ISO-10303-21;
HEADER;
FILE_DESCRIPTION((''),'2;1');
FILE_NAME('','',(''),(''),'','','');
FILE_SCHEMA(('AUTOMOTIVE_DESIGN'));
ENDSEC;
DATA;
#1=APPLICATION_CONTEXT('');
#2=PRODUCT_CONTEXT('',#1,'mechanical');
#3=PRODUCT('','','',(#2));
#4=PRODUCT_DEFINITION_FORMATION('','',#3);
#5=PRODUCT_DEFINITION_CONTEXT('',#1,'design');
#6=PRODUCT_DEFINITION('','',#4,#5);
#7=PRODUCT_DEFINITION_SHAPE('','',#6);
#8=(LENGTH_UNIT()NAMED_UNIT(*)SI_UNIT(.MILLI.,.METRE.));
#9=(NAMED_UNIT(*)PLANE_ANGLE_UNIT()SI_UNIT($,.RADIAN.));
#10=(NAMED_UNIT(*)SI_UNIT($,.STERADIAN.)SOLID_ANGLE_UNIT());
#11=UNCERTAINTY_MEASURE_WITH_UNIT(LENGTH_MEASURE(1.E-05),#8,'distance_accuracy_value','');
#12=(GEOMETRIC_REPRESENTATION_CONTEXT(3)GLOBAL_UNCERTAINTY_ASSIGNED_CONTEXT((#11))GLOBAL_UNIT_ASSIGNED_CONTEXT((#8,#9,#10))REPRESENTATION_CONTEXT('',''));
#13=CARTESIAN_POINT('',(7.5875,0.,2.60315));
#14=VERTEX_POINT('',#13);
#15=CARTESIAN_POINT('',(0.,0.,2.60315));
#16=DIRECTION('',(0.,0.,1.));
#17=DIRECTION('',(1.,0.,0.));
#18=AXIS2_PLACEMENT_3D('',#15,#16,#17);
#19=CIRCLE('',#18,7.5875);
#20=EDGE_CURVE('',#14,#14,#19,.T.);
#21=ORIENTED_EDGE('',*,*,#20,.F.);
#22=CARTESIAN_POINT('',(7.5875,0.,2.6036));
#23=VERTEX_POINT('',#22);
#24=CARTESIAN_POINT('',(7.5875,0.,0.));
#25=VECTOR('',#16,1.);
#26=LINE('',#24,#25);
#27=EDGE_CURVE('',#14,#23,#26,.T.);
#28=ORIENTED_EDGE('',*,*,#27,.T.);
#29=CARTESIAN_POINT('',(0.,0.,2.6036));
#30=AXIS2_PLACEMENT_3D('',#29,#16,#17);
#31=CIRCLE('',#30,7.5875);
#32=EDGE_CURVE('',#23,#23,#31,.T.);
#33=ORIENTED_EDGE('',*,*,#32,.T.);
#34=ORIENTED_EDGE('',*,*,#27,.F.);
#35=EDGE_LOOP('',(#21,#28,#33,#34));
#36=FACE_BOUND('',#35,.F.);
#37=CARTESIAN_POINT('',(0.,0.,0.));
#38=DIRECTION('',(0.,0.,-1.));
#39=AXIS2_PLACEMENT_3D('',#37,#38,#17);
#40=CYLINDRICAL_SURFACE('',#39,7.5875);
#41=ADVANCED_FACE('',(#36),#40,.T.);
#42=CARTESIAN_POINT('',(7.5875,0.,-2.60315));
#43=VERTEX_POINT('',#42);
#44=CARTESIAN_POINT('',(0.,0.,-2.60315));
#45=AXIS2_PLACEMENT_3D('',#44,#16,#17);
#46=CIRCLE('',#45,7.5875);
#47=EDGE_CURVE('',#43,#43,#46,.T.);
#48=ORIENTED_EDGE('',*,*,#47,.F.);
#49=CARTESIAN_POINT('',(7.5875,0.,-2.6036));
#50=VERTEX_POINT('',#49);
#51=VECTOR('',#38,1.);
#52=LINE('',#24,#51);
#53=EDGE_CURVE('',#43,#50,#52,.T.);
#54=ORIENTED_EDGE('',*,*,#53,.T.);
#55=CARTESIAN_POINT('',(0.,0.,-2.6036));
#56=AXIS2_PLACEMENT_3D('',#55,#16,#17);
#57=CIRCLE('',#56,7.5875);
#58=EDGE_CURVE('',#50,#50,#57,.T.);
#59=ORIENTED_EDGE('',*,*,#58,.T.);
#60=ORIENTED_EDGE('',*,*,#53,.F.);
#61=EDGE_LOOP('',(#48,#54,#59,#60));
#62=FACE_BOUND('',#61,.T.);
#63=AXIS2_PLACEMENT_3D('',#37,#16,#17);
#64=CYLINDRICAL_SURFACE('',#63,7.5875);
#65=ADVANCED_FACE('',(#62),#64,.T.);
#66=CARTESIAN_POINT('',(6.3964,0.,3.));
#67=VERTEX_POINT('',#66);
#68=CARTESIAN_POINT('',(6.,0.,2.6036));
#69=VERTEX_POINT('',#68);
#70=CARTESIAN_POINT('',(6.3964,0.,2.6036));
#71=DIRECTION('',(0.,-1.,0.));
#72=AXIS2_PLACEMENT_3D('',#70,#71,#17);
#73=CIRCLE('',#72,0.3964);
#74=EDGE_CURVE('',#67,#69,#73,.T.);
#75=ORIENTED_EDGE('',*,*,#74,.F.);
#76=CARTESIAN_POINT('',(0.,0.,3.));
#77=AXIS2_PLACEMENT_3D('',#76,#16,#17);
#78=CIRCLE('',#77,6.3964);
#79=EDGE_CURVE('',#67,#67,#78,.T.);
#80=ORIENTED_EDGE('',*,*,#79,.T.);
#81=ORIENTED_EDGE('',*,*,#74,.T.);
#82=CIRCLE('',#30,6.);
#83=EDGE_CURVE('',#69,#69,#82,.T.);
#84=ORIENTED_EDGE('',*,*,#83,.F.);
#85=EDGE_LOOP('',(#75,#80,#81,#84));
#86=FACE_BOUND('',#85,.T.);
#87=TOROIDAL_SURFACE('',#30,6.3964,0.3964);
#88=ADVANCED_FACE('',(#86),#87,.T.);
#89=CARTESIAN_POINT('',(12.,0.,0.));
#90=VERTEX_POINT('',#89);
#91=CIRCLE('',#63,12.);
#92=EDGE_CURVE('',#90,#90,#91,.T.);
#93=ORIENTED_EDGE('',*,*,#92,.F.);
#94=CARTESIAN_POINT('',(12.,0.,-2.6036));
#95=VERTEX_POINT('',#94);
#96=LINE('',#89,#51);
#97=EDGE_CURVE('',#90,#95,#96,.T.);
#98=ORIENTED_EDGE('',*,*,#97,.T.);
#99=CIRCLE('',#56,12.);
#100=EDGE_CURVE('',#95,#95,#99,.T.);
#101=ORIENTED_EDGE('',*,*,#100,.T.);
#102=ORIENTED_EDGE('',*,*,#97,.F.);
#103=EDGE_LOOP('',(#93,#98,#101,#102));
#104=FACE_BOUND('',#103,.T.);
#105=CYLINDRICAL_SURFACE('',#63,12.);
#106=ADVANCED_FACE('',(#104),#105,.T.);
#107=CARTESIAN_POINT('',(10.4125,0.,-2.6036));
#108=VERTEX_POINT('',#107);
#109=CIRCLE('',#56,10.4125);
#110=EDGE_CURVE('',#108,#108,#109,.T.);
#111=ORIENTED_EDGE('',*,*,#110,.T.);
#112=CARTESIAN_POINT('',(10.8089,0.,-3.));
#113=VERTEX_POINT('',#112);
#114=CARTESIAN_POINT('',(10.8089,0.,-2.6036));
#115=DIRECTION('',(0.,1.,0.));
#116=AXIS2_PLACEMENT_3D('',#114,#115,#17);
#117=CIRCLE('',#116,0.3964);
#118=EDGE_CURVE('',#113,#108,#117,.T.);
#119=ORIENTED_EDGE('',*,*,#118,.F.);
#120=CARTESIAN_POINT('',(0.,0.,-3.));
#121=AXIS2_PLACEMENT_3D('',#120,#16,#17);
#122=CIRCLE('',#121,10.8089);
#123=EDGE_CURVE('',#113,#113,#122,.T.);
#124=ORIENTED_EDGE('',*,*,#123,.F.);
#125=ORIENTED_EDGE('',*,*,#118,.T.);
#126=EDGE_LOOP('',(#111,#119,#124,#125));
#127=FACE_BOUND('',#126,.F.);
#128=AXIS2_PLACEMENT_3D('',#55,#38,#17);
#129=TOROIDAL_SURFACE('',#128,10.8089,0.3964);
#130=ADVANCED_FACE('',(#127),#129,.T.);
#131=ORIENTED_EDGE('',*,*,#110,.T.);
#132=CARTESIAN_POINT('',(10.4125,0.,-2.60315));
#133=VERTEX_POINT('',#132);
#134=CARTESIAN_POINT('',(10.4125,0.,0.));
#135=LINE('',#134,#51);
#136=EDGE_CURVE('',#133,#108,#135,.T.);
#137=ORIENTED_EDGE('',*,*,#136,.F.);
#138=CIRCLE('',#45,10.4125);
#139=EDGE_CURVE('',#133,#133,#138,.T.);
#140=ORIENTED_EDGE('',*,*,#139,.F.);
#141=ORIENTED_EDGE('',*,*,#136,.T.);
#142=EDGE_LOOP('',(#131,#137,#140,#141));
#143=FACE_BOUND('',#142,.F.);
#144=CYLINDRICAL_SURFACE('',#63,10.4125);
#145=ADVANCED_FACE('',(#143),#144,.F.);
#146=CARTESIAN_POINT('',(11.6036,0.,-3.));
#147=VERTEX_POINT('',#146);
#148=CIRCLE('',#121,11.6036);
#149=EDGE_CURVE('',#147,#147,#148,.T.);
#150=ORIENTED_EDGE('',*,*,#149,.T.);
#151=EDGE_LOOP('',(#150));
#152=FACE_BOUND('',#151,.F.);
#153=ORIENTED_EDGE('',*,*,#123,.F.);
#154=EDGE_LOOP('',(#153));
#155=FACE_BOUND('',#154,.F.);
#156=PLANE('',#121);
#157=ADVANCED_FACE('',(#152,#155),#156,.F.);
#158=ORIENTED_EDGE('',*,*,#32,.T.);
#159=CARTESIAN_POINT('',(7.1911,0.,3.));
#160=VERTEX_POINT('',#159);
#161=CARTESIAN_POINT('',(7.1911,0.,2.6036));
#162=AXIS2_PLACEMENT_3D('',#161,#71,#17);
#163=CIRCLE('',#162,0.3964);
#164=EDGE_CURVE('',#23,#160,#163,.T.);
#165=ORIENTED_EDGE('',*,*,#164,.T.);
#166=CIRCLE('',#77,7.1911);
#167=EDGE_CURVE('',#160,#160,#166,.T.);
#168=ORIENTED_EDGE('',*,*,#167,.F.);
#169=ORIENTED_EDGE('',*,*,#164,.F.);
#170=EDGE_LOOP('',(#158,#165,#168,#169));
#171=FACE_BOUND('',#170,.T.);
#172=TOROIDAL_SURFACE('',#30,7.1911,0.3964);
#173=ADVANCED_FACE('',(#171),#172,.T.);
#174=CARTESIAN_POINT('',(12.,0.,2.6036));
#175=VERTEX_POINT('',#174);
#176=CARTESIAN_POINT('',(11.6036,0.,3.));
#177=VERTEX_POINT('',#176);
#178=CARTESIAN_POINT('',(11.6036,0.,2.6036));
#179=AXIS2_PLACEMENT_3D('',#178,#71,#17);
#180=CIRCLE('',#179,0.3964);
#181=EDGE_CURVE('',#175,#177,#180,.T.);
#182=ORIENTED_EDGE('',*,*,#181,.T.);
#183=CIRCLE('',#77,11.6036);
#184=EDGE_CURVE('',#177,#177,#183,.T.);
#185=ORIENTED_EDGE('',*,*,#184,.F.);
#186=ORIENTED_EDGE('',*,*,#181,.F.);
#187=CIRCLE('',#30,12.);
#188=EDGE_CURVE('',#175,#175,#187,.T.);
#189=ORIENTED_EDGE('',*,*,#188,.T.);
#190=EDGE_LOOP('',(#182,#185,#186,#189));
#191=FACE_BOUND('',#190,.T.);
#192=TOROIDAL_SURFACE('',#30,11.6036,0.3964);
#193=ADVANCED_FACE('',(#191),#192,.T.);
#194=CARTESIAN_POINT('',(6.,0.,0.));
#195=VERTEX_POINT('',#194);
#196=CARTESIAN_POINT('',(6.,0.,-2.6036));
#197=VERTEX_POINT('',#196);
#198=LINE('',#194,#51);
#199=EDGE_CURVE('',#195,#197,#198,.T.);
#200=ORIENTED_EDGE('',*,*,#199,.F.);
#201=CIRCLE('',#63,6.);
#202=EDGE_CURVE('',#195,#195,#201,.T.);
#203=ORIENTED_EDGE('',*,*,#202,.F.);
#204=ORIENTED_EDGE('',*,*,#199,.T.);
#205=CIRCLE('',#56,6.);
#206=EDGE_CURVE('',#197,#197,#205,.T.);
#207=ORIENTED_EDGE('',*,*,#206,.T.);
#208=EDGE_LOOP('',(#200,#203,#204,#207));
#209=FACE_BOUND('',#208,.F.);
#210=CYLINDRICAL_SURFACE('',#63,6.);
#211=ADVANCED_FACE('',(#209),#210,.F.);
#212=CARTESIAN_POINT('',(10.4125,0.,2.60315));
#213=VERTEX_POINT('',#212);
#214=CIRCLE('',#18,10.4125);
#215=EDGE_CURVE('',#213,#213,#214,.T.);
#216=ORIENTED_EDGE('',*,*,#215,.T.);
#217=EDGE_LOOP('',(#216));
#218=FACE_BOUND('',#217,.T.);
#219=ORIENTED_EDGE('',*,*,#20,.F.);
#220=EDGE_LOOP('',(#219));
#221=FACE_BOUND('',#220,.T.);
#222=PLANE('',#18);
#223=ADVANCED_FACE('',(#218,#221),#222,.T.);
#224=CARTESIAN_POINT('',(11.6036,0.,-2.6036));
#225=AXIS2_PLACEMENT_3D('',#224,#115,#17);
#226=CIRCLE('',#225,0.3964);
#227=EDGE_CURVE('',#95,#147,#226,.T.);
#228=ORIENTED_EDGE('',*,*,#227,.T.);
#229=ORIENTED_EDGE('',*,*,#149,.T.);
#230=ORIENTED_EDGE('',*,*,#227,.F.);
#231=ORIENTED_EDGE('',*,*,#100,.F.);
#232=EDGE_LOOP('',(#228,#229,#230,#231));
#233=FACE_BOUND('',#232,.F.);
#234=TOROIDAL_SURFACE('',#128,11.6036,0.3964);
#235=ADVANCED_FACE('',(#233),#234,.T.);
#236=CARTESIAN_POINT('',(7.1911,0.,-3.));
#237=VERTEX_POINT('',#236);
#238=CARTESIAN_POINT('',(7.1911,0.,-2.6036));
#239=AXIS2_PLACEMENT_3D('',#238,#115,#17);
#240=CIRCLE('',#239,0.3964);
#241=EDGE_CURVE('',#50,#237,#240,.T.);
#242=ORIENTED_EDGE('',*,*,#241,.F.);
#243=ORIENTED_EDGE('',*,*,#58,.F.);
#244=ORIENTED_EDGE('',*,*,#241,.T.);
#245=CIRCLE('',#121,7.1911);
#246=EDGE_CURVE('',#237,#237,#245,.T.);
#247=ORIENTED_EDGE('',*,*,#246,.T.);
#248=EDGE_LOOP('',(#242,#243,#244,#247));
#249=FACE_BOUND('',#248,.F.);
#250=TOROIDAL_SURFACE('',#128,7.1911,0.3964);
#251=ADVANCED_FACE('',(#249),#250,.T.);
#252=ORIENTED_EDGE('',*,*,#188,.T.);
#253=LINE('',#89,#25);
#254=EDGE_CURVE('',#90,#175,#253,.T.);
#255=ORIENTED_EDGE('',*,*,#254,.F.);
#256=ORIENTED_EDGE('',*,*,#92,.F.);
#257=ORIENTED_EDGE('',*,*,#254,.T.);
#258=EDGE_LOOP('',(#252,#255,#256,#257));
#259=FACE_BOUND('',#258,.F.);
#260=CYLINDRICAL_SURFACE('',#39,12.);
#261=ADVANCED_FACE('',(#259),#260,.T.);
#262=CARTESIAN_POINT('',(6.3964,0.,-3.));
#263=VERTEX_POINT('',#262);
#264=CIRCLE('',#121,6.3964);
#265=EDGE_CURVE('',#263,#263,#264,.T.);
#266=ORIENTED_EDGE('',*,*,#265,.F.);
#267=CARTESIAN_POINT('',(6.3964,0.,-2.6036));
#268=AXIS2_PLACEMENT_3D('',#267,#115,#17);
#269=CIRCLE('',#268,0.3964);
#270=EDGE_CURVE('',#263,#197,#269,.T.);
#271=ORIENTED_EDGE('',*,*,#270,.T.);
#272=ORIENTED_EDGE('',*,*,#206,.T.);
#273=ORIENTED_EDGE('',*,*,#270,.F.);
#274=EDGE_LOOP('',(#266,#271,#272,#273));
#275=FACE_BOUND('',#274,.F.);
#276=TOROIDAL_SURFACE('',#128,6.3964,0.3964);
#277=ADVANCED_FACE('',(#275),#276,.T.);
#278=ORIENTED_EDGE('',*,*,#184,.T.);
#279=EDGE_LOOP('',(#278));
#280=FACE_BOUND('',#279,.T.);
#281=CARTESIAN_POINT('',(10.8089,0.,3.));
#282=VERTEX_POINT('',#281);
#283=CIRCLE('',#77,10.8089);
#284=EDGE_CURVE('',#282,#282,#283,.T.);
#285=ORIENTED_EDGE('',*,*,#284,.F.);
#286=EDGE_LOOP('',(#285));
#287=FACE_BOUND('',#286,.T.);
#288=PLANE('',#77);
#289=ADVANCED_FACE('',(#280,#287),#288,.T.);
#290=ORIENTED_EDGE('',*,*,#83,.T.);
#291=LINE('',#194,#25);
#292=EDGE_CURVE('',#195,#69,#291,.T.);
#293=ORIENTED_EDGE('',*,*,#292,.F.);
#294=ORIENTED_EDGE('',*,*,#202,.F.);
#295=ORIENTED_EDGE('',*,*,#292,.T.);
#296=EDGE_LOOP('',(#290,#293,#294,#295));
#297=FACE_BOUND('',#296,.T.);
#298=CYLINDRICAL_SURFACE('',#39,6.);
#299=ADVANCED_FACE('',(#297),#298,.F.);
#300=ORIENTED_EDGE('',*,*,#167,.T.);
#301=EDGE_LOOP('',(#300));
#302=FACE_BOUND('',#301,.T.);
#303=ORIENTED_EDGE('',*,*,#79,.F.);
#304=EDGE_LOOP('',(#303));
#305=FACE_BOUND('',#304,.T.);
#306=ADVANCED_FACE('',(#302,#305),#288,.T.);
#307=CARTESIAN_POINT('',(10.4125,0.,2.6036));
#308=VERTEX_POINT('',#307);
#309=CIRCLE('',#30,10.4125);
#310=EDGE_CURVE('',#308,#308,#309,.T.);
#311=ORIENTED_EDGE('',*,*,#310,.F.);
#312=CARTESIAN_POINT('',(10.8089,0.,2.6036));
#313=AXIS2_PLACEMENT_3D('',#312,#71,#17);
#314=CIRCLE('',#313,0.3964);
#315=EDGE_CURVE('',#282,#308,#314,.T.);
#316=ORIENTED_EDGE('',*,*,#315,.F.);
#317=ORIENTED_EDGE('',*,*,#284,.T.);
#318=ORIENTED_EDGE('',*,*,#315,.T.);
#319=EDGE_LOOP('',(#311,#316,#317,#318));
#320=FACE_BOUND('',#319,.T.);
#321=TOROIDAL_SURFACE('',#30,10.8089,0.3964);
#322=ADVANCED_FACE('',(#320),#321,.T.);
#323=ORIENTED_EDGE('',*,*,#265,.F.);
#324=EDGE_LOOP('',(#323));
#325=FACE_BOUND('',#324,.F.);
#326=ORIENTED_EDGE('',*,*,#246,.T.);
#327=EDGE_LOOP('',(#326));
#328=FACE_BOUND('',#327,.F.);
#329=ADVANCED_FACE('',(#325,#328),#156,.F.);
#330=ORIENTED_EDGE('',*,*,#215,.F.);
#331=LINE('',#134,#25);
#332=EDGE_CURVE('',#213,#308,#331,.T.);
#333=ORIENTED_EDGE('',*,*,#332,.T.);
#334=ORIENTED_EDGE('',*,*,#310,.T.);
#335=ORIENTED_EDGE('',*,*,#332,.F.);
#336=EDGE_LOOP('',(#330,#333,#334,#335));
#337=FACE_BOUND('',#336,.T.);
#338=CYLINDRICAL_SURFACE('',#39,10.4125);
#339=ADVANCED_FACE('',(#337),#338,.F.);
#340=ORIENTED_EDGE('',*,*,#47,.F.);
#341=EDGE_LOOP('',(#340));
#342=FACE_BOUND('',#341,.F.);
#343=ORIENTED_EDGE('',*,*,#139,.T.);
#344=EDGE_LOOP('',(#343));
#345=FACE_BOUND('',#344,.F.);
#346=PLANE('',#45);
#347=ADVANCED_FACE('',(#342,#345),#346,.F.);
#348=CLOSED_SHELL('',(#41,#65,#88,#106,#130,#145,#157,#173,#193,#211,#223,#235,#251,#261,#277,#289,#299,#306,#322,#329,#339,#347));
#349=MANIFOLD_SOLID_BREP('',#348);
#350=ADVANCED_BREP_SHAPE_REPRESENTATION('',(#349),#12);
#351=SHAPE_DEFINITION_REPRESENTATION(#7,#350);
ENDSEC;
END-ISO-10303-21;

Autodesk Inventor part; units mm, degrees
ref_plane "YZ Plane" through (0, 0, 0) normal (1, 0, 0) x (0, 1, 0)
ref_plane "XZ Plane" through (0, 0, 0) normal (0, 1, 0) x (-1, 0, 0)
ref_plane "XY Plane" through (0, 0, 0) normal (0, 0, 1) x (1, 0, 0)
sketch "Sketch1" plane through (0, 0, 0) normal (0, 0, 1) x (1, 0, 0)
  circle A0 centre (0, 0) radius 6
  circle A1 centre (0, 0) radius 12
  circle A2 centre (0, 0) radius 7.5875
  circle A3 centre (0, 0) radius 10.4125
  dimension "d0" = 12
  dimension "d1" = 24
  dimension "d2" = 15.175
  dimension "d3" = 1.5875
extrude "Extrusion1" add sketch "Sketch1" along normal mid plane 6
extrude "Extrusion2" add sketch "Sketch1" along normal mid plane 5.2063 contours A3
fillet "Fillet1" radius 0.3969 8 edges at (-6, 0, 3) (-7.5875, 0, 3) (-10.4125, 0, 3) (-12, 0, 3) (-12, 0, -3) (-10.4125, 0, -3) (-7.5875, 0, -3) (-6, 0, -3)
equation "\"d2\" = d0 + 2 * d3"
properties part number "R8-2RS"
